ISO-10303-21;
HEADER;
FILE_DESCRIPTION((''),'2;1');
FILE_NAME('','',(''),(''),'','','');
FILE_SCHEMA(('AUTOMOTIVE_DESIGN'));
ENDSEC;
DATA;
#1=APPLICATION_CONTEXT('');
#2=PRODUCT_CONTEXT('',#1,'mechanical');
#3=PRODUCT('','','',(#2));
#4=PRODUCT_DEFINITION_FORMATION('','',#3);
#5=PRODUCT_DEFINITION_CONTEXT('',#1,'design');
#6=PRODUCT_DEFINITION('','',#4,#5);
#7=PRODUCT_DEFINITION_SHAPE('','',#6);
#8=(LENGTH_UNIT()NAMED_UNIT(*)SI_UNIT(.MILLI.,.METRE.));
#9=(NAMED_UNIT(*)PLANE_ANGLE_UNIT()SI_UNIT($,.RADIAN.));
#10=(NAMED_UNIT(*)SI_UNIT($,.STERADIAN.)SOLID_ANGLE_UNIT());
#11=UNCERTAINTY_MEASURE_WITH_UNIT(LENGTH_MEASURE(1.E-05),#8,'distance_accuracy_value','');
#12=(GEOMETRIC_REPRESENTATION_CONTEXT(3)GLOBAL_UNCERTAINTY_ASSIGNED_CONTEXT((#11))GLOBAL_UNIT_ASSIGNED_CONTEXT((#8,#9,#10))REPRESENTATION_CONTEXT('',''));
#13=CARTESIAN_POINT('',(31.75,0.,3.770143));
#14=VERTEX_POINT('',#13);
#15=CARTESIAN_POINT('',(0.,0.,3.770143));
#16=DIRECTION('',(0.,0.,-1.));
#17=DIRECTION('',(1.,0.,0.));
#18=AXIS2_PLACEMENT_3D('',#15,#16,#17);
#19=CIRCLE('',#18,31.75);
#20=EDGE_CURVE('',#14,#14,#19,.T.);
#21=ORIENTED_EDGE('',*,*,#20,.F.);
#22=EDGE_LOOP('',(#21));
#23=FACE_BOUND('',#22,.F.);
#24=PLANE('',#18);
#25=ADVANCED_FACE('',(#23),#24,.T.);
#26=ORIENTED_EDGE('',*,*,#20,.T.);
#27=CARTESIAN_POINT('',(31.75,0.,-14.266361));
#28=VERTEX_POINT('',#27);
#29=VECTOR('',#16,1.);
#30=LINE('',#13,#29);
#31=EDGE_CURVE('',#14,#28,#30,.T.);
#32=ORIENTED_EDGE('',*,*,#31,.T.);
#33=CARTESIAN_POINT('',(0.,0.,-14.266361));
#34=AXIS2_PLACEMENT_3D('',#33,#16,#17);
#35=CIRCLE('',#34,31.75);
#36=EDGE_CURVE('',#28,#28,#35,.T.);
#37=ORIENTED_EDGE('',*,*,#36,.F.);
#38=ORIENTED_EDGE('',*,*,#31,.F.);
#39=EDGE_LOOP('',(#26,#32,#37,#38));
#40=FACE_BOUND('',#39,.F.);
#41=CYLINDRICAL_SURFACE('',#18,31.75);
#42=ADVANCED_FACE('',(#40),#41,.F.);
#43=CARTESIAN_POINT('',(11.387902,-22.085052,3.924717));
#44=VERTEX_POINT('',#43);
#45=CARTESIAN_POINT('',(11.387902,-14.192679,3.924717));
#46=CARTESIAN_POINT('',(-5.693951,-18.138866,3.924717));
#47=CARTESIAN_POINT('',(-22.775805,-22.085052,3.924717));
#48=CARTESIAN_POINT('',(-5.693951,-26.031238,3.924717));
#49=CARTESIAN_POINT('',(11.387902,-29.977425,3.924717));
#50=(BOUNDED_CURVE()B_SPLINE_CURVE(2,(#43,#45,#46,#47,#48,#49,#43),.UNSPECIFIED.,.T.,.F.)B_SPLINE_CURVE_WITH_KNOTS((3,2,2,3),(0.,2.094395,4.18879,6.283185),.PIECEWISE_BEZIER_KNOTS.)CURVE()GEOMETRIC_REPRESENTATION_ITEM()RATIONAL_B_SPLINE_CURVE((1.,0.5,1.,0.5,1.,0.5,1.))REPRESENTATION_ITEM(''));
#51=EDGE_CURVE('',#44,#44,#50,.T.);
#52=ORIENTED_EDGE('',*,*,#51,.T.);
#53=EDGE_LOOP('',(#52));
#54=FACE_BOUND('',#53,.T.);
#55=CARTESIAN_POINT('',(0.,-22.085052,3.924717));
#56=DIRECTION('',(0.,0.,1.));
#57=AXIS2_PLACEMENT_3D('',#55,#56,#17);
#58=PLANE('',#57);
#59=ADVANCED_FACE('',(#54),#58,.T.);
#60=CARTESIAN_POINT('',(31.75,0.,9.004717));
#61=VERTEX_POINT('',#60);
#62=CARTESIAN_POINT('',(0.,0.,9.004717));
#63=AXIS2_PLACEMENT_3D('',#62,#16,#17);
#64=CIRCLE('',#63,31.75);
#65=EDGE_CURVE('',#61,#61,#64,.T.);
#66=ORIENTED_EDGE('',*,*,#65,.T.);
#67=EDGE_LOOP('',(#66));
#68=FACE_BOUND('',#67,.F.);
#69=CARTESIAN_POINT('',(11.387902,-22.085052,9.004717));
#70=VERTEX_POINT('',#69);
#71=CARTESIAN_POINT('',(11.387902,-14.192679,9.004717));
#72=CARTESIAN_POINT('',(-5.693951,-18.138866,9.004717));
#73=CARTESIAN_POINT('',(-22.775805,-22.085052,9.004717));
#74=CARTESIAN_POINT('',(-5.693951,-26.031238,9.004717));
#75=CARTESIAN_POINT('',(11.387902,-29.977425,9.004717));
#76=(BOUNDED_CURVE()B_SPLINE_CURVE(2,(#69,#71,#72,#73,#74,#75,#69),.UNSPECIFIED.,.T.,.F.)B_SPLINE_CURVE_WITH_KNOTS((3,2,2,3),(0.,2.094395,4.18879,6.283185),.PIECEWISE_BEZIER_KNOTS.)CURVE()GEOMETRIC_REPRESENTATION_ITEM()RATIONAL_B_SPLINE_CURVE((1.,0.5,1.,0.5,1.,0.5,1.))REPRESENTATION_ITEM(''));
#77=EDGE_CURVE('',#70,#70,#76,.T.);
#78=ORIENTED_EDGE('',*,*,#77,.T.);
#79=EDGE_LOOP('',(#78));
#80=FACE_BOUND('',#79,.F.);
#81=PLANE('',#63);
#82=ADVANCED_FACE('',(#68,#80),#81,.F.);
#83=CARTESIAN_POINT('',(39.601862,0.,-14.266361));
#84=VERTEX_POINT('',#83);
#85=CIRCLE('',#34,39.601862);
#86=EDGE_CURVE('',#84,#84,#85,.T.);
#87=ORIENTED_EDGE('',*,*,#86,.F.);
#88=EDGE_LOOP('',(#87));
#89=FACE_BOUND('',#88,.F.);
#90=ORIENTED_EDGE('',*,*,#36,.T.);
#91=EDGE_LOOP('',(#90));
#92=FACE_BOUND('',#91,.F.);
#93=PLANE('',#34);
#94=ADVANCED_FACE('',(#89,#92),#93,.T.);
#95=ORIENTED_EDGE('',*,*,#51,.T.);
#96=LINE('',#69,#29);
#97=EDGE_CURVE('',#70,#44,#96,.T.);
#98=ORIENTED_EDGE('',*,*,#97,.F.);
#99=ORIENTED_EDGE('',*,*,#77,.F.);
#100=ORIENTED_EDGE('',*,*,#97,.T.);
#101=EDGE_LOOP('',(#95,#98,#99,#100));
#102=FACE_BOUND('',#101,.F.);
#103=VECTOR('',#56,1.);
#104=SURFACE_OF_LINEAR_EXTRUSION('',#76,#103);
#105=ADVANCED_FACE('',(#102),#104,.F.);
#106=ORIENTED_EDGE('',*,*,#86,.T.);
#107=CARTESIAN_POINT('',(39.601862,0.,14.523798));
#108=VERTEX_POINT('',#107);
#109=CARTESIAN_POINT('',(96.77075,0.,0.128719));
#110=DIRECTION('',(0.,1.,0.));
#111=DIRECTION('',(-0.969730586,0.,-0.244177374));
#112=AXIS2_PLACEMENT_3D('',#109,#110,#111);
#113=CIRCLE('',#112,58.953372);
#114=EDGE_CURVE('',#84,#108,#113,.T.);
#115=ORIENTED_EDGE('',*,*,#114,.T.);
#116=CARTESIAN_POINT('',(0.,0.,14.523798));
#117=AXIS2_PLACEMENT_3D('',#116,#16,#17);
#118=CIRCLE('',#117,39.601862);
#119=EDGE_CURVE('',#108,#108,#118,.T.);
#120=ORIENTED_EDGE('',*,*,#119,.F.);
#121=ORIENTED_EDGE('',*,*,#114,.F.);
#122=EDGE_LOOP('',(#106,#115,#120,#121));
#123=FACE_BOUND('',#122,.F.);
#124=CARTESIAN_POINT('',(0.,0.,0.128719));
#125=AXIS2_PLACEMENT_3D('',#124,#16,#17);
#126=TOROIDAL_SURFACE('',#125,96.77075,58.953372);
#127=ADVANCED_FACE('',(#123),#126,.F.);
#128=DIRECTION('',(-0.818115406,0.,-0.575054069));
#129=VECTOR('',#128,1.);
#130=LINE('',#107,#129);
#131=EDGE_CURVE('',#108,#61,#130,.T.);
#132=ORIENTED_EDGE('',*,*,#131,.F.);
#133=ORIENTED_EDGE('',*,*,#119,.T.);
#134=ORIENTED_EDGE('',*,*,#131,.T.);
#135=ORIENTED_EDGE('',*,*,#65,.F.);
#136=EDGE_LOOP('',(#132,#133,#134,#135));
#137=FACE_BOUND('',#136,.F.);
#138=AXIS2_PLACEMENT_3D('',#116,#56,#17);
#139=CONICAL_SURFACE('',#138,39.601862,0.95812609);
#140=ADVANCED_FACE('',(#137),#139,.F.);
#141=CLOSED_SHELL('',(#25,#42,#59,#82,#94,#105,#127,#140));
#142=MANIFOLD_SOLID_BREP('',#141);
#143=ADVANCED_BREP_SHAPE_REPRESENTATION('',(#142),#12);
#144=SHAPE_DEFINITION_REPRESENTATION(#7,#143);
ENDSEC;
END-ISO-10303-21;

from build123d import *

# Parameters (mm, degrees)
F3_DEPTH = 5.08


with BuildPart() as f1:
    # F0 (on Front) → F1 (revolve)
    with BuildSketch(Plane.XZ):
        with BuildLine():
            ThreePointArc((39.601862, -14.266361), (37.817378, 0.128719), (39.601862, 14.523798))
            Line((39.601862, 14.523798), (31.75, 9.004717))
            Line((31.75, 9.004717), (0, 9.004717))
            Line((0, 9.004717), (0, 3.770143))
            Line((0, 3.770143), (31.75, 3.770143))
            Line((31.75, 3.770143), (31.75, -14.266361))
            Line((31.75, -14.266361), (39.601862, -14.266361))
        make_face()
    revolve(axis=Axis((0, 0, 0.128719), (0, 0, -1)))

    # F2 (on face) → F3 (cut)
    with BuildSketch(Plane.XY.offset(9.004717)):
        with BuildLine():
            add(Edge.make_bspline(
                [(11.387902, -22.085052), (11.387902, -14.192679), (-5.693951, -18.138866), (-22.775805, -22.085052), (-5.693951, -26.031238), (11.387902, -29.977425), (11.387902, -22.085052)],
                knots=[0, 0, 0, 2.094395, 2.094395, 4.18879, 4.18879, 6.283185, 6.283185, 6.283185], degree=2, weights=[1, 0.5, 1, 0.5, 1, 0.5, 1]))
        make_face()
    extrude(amount=-F3_DEPTH, mode=Mode.SUBTRACT)


solid = f1.part
